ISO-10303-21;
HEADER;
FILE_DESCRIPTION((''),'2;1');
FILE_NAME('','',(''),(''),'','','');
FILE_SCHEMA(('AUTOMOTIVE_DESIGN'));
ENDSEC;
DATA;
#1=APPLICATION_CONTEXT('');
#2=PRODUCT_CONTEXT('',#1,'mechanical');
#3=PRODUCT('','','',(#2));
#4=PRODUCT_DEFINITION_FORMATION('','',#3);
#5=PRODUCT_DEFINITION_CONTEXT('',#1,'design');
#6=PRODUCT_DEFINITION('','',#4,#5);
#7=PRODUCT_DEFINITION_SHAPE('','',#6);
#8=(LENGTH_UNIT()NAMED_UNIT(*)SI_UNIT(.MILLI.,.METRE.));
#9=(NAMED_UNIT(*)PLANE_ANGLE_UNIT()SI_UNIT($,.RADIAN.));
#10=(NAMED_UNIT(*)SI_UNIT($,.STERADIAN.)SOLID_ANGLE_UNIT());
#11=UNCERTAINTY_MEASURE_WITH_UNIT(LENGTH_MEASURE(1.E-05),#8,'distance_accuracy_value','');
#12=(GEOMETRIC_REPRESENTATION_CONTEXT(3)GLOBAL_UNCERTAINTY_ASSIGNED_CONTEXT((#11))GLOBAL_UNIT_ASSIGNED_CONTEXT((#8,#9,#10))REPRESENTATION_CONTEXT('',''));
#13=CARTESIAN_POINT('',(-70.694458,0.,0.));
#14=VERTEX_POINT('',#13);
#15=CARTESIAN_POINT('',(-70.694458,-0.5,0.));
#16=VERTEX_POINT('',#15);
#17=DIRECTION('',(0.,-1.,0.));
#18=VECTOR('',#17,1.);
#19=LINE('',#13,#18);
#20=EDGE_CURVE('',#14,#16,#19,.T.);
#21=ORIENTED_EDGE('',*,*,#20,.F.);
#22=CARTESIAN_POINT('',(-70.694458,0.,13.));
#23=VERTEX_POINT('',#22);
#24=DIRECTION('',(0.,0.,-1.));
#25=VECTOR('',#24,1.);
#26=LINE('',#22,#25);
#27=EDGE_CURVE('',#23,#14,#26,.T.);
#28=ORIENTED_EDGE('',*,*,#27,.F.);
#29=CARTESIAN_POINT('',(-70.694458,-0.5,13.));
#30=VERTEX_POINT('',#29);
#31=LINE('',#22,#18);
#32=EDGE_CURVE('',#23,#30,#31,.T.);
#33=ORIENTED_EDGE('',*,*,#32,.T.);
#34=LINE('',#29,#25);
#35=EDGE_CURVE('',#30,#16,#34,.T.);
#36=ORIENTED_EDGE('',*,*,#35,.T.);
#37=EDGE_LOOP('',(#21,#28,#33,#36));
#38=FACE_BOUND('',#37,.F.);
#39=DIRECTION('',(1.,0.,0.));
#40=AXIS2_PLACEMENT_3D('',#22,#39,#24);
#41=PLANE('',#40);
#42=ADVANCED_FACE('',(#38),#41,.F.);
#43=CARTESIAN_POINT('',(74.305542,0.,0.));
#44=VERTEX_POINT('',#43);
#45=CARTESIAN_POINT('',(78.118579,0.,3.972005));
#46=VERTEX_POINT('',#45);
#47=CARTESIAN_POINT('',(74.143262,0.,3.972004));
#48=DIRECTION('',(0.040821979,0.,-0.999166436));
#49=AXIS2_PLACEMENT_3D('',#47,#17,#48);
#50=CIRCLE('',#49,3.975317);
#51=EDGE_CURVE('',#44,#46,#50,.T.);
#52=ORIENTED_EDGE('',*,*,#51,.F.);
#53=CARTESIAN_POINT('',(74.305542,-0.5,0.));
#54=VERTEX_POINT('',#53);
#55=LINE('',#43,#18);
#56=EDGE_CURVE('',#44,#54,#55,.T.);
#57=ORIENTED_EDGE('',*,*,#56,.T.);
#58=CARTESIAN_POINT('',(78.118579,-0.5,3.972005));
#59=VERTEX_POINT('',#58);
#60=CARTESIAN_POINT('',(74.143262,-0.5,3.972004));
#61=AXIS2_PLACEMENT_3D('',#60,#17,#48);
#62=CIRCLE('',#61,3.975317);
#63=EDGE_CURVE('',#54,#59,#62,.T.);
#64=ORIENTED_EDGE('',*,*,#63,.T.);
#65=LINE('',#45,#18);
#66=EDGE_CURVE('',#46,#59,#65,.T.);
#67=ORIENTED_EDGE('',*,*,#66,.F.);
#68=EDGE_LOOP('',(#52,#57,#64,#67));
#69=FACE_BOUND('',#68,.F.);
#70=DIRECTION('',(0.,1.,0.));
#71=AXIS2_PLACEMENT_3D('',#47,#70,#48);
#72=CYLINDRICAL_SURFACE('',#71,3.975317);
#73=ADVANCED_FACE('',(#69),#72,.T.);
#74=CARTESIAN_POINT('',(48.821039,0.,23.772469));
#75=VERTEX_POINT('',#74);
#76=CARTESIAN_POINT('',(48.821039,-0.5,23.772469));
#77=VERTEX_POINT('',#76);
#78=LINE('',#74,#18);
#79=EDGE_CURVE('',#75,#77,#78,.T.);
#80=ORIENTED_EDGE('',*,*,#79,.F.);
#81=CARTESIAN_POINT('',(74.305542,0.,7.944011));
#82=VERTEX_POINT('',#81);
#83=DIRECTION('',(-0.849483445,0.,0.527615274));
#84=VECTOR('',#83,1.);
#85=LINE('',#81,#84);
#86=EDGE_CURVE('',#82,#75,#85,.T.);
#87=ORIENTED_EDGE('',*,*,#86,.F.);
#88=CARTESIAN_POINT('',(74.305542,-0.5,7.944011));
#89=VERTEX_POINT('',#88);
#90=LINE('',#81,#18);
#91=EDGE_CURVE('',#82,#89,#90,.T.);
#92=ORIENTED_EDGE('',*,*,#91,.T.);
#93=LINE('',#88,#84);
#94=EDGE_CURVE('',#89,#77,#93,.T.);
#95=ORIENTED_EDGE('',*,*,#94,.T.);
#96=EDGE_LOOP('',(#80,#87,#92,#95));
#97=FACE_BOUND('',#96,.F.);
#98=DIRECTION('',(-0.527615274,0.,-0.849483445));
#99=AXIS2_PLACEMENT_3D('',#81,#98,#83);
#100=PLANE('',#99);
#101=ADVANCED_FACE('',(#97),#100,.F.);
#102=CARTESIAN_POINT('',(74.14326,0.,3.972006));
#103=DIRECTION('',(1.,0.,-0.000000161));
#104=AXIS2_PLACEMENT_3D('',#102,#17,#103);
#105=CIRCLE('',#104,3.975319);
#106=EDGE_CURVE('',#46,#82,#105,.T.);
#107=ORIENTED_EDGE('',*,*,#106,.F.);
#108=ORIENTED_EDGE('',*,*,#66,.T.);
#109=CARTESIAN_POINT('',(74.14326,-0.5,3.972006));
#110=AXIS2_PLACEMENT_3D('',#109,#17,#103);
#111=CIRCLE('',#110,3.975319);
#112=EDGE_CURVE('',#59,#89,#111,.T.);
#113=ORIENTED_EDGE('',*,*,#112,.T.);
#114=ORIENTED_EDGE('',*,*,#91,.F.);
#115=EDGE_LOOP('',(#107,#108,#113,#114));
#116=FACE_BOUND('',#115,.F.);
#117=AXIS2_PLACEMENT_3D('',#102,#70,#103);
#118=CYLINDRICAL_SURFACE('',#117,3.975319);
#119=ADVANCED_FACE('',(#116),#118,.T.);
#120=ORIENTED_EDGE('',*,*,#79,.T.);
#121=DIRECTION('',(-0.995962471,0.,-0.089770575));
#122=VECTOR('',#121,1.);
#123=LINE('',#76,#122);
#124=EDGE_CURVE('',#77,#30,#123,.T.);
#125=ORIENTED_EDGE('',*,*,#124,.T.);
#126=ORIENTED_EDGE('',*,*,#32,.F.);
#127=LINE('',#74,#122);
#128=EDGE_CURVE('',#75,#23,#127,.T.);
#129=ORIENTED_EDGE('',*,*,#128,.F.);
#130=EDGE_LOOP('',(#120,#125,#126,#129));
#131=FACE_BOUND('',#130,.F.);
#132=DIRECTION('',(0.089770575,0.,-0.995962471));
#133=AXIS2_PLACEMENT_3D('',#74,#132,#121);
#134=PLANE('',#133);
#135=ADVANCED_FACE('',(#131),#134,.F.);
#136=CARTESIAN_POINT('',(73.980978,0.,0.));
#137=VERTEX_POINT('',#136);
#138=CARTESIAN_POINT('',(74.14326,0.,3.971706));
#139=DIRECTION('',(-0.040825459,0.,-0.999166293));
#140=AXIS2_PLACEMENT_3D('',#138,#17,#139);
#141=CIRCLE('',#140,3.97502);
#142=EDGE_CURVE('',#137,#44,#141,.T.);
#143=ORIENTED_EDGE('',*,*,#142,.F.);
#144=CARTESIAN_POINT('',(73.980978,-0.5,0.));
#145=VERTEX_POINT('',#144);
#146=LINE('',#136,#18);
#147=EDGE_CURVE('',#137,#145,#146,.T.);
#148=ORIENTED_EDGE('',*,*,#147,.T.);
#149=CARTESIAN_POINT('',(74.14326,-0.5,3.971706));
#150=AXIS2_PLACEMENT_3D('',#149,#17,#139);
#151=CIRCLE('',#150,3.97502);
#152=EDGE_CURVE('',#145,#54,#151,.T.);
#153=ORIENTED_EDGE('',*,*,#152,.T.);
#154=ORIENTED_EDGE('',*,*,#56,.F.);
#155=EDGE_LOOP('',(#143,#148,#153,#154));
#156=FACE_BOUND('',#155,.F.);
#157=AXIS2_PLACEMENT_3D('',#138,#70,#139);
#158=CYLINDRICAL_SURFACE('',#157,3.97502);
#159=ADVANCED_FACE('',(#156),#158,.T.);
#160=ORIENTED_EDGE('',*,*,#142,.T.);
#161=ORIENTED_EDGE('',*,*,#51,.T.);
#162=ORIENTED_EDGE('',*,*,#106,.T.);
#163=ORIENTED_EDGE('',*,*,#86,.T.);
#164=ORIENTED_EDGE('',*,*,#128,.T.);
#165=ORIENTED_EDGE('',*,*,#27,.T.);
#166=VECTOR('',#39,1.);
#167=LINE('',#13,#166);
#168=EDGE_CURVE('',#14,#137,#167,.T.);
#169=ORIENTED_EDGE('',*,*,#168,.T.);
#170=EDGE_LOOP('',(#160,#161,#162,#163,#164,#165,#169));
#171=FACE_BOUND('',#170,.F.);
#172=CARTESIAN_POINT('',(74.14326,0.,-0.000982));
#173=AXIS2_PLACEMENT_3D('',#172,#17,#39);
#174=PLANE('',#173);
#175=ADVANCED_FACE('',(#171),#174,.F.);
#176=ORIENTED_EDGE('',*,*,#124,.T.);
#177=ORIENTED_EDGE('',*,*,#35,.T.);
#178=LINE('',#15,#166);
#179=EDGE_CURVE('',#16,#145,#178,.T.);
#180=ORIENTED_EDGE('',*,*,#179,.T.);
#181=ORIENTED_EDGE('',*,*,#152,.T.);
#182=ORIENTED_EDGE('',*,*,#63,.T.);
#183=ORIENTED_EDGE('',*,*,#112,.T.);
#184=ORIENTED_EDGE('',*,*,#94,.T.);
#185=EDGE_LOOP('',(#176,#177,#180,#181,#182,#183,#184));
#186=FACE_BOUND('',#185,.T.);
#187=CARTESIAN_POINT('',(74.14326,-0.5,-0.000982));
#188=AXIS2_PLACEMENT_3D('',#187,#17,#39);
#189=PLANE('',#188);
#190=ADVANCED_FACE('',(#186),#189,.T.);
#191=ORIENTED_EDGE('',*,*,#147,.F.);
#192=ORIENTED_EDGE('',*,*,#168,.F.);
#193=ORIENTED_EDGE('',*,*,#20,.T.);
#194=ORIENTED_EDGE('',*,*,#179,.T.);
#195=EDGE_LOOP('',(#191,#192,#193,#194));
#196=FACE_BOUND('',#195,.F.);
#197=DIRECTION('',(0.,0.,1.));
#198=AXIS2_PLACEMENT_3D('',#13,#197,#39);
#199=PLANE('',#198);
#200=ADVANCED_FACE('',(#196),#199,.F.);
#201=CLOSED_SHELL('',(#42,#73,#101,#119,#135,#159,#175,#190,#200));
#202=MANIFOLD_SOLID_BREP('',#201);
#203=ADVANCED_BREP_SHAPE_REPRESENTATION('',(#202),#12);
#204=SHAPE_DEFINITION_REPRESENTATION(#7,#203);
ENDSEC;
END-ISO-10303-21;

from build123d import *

# Parameters (mm, degrees)
F1_DEPTH = 0.5


with BuildPart() as f1:
    # F0 (on Front) → F1 (new body)
    with BuildSketch(Plane.XZ):
        with BuildLine():
            ThreePointArc((73.980978, 0), (74.14326, -0.003314), (74.305542, 0))
            Line((74.305542, 0), (73.980978, 0))
        make_face()
        with BuildLine():
            Line((73.980978, 0), (74.305542, 0))
            ThreePointArc((74.305542, 0), (77.011037, 1.219003), (78.118579, 3.972005))
            ThreePointArc((78.118579, 3.972005), (77.011037, 6.725007), (74.305542, 7.944011))
            ThreePointArc((74.305542, 7.944011), (70.171255, 4.134287), (73.980978, 0))
        make_face()
        with BuildLine():
            Line((-70.694458, 0), (73.980978, 0))
            ThreePointArc((73.980978, 0), (70.171255, 4.134287), (74.305542, 7.944011))
            Line((74.305542, 7.944011), (48.821039, 23.772469))
            Line((48.821039, 23.772469), (-70.694458, 13))
            Line((-70.694458, 13), (-70.694458, 0))
        make_face()
    extrude(amount=F1_DEPTH)


solid = f1.part
